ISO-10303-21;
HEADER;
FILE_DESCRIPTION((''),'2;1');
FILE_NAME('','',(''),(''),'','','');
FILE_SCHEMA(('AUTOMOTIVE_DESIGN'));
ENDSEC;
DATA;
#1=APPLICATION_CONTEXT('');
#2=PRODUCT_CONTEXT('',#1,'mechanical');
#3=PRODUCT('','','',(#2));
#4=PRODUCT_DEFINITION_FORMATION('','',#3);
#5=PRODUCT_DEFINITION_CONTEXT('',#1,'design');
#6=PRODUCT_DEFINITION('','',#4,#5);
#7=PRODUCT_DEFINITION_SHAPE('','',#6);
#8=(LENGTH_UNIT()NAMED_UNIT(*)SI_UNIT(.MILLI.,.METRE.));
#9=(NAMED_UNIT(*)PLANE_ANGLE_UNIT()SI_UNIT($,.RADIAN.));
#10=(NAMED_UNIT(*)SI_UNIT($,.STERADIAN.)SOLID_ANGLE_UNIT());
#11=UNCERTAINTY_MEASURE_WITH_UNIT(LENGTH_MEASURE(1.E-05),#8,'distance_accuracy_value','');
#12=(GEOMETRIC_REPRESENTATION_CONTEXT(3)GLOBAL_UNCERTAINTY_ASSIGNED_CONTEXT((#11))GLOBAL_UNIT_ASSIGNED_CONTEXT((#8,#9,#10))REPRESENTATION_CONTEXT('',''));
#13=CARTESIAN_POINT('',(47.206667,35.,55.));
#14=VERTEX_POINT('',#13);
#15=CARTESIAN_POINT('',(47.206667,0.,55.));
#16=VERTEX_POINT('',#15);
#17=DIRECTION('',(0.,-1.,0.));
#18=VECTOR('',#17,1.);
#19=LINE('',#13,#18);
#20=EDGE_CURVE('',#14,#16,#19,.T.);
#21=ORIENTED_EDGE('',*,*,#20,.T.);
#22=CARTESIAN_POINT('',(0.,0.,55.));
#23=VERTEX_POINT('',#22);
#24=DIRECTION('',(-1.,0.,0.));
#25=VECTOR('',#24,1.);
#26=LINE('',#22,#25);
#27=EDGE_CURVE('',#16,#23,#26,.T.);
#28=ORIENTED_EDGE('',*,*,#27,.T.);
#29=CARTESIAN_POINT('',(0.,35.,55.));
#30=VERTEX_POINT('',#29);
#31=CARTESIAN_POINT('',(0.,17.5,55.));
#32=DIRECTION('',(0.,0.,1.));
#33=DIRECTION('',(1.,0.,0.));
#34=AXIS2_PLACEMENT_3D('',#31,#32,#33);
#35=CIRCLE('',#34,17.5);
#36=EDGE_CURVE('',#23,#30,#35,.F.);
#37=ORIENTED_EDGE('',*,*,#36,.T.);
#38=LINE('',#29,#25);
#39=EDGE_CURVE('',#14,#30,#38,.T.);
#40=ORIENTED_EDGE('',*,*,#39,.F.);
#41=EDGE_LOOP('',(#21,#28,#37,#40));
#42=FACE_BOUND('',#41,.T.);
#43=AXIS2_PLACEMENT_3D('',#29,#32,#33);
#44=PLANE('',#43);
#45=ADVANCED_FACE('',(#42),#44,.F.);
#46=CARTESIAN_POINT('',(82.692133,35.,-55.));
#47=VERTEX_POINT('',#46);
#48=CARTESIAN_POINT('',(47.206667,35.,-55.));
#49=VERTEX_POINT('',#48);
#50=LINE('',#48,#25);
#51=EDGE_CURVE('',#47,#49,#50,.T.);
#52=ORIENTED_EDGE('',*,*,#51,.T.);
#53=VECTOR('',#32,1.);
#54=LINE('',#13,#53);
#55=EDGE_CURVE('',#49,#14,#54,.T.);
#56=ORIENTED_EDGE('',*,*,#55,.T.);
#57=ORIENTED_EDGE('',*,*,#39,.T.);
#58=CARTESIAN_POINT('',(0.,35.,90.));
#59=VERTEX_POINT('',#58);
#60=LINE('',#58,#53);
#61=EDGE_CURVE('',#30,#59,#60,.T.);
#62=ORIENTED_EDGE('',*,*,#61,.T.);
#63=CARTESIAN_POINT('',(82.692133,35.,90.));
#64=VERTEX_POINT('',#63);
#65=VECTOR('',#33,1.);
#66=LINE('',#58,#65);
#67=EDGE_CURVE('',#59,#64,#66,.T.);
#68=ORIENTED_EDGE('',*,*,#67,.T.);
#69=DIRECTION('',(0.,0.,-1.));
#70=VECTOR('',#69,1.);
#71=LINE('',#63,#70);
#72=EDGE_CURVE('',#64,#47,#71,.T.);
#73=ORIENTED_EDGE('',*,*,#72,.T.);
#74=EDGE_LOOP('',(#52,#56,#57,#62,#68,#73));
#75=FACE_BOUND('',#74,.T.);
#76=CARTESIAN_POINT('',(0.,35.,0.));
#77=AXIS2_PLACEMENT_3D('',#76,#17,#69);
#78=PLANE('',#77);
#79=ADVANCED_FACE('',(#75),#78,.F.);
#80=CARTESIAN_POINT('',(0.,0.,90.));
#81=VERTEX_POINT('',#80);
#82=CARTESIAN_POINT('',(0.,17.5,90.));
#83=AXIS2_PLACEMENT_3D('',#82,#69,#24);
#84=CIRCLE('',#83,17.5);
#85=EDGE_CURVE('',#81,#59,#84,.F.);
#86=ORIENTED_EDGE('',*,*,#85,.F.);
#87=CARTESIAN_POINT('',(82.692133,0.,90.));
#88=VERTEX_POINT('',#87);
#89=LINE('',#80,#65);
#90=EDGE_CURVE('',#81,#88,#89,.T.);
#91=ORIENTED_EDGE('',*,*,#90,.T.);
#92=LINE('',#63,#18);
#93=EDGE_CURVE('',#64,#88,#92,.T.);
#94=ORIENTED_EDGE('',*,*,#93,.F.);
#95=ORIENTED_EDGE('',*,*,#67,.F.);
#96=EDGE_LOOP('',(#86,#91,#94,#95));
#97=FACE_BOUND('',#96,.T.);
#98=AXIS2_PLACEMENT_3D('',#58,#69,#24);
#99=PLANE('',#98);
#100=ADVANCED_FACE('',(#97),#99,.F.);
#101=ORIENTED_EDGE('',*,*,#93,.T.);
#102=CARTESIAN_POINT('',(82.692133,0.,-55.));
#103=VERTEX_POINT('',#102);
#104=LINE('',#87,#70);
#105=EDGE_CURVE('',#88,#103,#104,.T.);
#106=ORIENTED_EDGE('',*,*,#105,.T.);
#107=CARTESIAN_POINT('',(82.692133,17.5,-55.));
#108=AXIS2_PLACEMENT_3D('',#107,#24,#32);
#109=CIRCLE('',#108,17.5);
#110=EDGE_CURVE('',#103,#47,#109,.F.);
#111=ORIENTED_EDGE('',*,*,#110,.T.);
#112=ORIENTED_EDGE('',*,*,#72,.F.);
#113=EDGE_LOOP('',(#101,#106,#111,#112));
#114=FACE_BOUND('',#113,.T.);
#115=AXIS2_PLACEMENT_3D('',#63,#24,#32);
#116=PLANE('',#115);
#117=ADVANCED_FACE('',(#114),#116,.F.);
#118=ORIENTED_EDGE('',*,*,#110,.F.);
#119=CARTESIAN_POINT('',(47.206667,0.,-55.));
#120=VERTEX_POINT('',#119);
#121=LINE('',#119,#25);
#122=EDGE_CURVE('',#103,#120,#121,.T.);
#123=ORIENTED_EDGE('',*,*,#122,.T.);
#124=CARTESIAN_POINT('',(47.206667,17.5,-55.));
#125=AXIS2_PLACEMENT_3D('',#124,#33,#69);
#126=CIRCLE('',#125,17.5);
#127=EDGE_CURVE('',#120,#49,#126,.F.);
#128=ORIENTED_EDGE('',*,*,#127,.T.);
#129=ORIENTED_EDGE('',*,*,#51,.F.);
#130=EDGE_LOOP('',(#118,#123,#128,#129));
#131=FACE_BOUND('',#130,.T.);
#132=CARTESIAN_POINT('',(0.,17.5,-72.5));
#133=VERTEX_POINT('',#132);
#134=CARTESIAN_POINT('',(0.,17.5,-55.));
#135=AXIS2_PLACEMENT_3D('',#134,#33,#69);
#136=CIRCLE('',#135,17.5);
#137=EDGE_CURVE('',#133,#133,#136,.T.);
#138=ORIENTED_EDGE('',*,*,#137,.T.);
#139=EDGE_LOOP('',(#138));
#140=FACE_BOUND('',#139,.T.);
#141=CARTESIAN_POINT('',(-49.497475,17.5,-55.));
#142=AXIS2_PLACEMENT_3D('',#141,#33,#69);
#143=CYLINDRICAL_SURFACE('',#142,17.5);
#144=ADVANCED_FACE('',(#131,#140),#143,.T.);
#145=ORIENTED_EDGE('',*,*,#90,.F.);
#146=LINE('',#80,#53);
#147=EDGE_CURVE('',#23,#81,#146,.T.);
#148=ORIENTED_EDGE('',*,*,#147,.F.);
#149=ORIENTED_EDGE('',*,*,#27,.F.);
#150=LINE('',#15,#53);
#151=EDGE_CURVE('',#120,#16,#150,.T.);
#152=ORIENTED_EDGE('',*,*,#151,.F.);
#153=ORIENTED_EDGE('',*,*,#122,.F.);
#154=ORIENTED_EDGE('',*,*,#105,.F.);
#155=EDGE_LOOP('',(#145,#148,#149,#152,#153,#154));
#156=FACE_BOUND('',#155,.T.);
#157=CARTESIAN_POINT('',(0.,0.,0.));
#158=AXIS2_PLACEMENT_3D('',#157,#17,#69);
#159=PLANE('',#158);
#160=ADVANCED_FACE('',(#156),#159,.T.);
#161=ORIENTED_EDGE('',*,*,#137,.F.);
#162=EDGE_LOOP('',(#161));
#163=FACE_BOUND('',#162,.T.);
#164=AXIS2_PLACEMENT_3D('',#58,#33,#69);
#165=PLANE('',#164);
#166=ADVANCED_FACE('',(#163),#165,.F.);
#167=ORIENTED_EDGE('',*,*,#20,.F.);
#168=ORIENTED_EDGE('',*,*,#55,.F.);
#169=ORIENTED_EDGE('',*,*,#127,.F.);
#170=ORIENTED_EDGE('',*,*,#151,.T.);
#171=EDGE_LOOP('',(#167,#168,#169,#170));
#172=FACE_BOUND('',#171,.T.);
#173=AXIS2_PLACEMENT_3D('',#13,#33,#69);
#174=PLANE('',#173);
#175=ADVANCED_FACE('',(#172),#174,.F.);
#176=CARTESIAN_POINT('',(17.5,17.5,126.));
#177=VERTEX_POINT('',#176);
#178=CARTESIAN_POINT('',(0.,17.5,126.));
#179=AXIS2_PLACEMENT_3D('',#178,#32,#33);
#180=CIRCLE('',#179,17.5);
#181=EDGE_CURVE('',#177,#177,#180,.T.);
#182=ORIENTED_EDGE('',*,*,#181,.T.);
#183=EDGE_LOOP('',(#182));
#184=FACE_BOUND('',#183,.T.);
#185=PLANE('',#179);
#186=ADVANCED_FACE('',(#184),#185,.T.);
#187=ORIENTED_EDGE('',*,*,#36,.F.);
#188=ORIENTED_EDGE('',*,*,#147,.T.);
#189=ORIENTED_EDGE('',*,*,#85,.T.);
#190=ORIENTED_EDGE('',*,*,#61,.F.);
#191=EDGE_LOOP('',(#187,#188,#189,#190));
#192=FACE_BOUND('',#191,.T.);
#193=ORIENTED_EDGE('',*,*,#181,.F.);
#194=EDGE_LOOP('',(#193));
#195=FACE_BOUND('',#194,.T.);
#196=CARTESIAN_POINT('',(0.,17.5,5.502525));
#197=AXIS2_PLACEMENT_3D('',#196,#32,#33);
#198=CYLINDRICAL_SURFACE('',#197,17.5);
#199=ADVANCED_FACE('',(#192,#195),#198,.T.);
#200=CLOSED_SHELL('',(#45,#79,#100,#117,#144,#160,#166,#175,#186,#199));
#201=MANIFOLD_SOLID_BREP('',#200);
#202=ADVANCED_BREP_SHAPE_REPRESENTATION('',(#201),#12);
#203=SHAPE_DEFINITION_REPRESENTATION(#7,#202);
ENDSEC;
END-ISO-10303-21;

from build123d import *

# Parameters (mm, degrees)
BOSS_EXTRUDE1_DEPTH             = 35
BOSS_EXTRUDE4_REACH             = 109.487
SKETCH4_R                       = 17.5
BOSS_EXTRUDE4_DIRECTION_2_REACH = 109.487
BOSS_EXTRUDE3_DEPTH             = 36
BOSS_EXTRUDE3_DEPTH_BACK        = 35
SKETCH3_R                       = 17.5


with BuildPart() as part:
    # Sketch1 → Boss-Extrude1 (new body)
    with BuildSketch(Plane(origin=(0, 0, 0), x_dir=(1, 0, 0), z_dir=(0, 1, 0))):
        Polygon((0, -90), (82.692132723, -90), (82.692132723, 55), (47.206666819, 55), (47.206666819, -55), (0, -55), align=None)
    extrude(amount=BOSS_EXTRUDE1_DEPTH)


with BuildPart() as body_2:

    # Boss-Extrude4: up to this face of the body (flat: up to its plane)
    boss_extrude4_end = Plane(part.part.faces().sort_by_distance((0, 17.5, 72.5))[0])
    # Sketch4 → Boss-Extrude4 (new, up to the picked face)
    with BuildSketch(Plane.ZY.offset(-47.206666819), mode=Mode.PRIVATE) as boss_extrude4_sk1:
        with Locations(Location((-55, 17.5, 0), (0, 0, 180))):
            Circle(SKETCH4_R)
    boss_extrude4_tool1 = split(extrude(boss_extrude4_sk1.sketch, amount=BOSS_EXTRUDE4_REACH, mode=Mode.PRIVATE), bisect_by=boss_extrude4_end, keep=Keep.BOTH, mode=Mode.PRIVATE)
    add(boss_extrude4_tool1.solids().sort_by(Axis((47.206667, 17.5, -55), (-1, 0, 0)))[0])


    # Boss-Extrude4 direction 2: up to this face of the body (flat: up to its plane)
    boss_extrude4_direction_2_end = Plane(part.part.faces().sort_by_distance((82.692132723, 17.5, 17.5))[0])
    # Sketch4 → Boss-Extrude4 direction 2 (add, up to the picked face)
    with BuildSketch(Plane.ZY.offset(-47.206666819), mode=Mode.PRIVATE) as boss_extrude4_direction_2_sk1:
        with Locations(Location((-55, 17.5, 0), (0, 0, 180))):
            Circle(SKETCH4_R)
    boss_extrude4_direction_2_tool1 = split(extrude(boss_extrude4_direction_2_sk1.sketch, amount=-BOSS_EXTRUDE4_DIRECTION_2_REACH, mode=Mode.PRIVATE), bisect_by=boss_extrude4_direction_2_end, keep=Keep.BOTH, mode=Mode.PRIVATE)
    add(boss_extrude4_direction_2_tool1.solids().sort_by(Axis((47.206667, 17.5, -55), (1, 0, 0)))[0])


with BuildPart() as body_3:
    # Sketch3 → Boss-Extrude3 (new, two sides: drawn at the far end of the back side and taken through both)
    with BuildSketch(Plane.XY.offset(90).offset(-BOSS_EXTRUDE3_DEPTH_BACK)):
        with Locations((0, 17.5)):
            Circle(SKETCH3_R)
    extrude(amount=BOSS_EXTRUDE3_DEPTH + BOSS_EXTRUDE3_DEPTH_BACK)

    # Combine1: union part, body 2
    add(part.part)
    add(body_2.part)


solid = body_3.part
